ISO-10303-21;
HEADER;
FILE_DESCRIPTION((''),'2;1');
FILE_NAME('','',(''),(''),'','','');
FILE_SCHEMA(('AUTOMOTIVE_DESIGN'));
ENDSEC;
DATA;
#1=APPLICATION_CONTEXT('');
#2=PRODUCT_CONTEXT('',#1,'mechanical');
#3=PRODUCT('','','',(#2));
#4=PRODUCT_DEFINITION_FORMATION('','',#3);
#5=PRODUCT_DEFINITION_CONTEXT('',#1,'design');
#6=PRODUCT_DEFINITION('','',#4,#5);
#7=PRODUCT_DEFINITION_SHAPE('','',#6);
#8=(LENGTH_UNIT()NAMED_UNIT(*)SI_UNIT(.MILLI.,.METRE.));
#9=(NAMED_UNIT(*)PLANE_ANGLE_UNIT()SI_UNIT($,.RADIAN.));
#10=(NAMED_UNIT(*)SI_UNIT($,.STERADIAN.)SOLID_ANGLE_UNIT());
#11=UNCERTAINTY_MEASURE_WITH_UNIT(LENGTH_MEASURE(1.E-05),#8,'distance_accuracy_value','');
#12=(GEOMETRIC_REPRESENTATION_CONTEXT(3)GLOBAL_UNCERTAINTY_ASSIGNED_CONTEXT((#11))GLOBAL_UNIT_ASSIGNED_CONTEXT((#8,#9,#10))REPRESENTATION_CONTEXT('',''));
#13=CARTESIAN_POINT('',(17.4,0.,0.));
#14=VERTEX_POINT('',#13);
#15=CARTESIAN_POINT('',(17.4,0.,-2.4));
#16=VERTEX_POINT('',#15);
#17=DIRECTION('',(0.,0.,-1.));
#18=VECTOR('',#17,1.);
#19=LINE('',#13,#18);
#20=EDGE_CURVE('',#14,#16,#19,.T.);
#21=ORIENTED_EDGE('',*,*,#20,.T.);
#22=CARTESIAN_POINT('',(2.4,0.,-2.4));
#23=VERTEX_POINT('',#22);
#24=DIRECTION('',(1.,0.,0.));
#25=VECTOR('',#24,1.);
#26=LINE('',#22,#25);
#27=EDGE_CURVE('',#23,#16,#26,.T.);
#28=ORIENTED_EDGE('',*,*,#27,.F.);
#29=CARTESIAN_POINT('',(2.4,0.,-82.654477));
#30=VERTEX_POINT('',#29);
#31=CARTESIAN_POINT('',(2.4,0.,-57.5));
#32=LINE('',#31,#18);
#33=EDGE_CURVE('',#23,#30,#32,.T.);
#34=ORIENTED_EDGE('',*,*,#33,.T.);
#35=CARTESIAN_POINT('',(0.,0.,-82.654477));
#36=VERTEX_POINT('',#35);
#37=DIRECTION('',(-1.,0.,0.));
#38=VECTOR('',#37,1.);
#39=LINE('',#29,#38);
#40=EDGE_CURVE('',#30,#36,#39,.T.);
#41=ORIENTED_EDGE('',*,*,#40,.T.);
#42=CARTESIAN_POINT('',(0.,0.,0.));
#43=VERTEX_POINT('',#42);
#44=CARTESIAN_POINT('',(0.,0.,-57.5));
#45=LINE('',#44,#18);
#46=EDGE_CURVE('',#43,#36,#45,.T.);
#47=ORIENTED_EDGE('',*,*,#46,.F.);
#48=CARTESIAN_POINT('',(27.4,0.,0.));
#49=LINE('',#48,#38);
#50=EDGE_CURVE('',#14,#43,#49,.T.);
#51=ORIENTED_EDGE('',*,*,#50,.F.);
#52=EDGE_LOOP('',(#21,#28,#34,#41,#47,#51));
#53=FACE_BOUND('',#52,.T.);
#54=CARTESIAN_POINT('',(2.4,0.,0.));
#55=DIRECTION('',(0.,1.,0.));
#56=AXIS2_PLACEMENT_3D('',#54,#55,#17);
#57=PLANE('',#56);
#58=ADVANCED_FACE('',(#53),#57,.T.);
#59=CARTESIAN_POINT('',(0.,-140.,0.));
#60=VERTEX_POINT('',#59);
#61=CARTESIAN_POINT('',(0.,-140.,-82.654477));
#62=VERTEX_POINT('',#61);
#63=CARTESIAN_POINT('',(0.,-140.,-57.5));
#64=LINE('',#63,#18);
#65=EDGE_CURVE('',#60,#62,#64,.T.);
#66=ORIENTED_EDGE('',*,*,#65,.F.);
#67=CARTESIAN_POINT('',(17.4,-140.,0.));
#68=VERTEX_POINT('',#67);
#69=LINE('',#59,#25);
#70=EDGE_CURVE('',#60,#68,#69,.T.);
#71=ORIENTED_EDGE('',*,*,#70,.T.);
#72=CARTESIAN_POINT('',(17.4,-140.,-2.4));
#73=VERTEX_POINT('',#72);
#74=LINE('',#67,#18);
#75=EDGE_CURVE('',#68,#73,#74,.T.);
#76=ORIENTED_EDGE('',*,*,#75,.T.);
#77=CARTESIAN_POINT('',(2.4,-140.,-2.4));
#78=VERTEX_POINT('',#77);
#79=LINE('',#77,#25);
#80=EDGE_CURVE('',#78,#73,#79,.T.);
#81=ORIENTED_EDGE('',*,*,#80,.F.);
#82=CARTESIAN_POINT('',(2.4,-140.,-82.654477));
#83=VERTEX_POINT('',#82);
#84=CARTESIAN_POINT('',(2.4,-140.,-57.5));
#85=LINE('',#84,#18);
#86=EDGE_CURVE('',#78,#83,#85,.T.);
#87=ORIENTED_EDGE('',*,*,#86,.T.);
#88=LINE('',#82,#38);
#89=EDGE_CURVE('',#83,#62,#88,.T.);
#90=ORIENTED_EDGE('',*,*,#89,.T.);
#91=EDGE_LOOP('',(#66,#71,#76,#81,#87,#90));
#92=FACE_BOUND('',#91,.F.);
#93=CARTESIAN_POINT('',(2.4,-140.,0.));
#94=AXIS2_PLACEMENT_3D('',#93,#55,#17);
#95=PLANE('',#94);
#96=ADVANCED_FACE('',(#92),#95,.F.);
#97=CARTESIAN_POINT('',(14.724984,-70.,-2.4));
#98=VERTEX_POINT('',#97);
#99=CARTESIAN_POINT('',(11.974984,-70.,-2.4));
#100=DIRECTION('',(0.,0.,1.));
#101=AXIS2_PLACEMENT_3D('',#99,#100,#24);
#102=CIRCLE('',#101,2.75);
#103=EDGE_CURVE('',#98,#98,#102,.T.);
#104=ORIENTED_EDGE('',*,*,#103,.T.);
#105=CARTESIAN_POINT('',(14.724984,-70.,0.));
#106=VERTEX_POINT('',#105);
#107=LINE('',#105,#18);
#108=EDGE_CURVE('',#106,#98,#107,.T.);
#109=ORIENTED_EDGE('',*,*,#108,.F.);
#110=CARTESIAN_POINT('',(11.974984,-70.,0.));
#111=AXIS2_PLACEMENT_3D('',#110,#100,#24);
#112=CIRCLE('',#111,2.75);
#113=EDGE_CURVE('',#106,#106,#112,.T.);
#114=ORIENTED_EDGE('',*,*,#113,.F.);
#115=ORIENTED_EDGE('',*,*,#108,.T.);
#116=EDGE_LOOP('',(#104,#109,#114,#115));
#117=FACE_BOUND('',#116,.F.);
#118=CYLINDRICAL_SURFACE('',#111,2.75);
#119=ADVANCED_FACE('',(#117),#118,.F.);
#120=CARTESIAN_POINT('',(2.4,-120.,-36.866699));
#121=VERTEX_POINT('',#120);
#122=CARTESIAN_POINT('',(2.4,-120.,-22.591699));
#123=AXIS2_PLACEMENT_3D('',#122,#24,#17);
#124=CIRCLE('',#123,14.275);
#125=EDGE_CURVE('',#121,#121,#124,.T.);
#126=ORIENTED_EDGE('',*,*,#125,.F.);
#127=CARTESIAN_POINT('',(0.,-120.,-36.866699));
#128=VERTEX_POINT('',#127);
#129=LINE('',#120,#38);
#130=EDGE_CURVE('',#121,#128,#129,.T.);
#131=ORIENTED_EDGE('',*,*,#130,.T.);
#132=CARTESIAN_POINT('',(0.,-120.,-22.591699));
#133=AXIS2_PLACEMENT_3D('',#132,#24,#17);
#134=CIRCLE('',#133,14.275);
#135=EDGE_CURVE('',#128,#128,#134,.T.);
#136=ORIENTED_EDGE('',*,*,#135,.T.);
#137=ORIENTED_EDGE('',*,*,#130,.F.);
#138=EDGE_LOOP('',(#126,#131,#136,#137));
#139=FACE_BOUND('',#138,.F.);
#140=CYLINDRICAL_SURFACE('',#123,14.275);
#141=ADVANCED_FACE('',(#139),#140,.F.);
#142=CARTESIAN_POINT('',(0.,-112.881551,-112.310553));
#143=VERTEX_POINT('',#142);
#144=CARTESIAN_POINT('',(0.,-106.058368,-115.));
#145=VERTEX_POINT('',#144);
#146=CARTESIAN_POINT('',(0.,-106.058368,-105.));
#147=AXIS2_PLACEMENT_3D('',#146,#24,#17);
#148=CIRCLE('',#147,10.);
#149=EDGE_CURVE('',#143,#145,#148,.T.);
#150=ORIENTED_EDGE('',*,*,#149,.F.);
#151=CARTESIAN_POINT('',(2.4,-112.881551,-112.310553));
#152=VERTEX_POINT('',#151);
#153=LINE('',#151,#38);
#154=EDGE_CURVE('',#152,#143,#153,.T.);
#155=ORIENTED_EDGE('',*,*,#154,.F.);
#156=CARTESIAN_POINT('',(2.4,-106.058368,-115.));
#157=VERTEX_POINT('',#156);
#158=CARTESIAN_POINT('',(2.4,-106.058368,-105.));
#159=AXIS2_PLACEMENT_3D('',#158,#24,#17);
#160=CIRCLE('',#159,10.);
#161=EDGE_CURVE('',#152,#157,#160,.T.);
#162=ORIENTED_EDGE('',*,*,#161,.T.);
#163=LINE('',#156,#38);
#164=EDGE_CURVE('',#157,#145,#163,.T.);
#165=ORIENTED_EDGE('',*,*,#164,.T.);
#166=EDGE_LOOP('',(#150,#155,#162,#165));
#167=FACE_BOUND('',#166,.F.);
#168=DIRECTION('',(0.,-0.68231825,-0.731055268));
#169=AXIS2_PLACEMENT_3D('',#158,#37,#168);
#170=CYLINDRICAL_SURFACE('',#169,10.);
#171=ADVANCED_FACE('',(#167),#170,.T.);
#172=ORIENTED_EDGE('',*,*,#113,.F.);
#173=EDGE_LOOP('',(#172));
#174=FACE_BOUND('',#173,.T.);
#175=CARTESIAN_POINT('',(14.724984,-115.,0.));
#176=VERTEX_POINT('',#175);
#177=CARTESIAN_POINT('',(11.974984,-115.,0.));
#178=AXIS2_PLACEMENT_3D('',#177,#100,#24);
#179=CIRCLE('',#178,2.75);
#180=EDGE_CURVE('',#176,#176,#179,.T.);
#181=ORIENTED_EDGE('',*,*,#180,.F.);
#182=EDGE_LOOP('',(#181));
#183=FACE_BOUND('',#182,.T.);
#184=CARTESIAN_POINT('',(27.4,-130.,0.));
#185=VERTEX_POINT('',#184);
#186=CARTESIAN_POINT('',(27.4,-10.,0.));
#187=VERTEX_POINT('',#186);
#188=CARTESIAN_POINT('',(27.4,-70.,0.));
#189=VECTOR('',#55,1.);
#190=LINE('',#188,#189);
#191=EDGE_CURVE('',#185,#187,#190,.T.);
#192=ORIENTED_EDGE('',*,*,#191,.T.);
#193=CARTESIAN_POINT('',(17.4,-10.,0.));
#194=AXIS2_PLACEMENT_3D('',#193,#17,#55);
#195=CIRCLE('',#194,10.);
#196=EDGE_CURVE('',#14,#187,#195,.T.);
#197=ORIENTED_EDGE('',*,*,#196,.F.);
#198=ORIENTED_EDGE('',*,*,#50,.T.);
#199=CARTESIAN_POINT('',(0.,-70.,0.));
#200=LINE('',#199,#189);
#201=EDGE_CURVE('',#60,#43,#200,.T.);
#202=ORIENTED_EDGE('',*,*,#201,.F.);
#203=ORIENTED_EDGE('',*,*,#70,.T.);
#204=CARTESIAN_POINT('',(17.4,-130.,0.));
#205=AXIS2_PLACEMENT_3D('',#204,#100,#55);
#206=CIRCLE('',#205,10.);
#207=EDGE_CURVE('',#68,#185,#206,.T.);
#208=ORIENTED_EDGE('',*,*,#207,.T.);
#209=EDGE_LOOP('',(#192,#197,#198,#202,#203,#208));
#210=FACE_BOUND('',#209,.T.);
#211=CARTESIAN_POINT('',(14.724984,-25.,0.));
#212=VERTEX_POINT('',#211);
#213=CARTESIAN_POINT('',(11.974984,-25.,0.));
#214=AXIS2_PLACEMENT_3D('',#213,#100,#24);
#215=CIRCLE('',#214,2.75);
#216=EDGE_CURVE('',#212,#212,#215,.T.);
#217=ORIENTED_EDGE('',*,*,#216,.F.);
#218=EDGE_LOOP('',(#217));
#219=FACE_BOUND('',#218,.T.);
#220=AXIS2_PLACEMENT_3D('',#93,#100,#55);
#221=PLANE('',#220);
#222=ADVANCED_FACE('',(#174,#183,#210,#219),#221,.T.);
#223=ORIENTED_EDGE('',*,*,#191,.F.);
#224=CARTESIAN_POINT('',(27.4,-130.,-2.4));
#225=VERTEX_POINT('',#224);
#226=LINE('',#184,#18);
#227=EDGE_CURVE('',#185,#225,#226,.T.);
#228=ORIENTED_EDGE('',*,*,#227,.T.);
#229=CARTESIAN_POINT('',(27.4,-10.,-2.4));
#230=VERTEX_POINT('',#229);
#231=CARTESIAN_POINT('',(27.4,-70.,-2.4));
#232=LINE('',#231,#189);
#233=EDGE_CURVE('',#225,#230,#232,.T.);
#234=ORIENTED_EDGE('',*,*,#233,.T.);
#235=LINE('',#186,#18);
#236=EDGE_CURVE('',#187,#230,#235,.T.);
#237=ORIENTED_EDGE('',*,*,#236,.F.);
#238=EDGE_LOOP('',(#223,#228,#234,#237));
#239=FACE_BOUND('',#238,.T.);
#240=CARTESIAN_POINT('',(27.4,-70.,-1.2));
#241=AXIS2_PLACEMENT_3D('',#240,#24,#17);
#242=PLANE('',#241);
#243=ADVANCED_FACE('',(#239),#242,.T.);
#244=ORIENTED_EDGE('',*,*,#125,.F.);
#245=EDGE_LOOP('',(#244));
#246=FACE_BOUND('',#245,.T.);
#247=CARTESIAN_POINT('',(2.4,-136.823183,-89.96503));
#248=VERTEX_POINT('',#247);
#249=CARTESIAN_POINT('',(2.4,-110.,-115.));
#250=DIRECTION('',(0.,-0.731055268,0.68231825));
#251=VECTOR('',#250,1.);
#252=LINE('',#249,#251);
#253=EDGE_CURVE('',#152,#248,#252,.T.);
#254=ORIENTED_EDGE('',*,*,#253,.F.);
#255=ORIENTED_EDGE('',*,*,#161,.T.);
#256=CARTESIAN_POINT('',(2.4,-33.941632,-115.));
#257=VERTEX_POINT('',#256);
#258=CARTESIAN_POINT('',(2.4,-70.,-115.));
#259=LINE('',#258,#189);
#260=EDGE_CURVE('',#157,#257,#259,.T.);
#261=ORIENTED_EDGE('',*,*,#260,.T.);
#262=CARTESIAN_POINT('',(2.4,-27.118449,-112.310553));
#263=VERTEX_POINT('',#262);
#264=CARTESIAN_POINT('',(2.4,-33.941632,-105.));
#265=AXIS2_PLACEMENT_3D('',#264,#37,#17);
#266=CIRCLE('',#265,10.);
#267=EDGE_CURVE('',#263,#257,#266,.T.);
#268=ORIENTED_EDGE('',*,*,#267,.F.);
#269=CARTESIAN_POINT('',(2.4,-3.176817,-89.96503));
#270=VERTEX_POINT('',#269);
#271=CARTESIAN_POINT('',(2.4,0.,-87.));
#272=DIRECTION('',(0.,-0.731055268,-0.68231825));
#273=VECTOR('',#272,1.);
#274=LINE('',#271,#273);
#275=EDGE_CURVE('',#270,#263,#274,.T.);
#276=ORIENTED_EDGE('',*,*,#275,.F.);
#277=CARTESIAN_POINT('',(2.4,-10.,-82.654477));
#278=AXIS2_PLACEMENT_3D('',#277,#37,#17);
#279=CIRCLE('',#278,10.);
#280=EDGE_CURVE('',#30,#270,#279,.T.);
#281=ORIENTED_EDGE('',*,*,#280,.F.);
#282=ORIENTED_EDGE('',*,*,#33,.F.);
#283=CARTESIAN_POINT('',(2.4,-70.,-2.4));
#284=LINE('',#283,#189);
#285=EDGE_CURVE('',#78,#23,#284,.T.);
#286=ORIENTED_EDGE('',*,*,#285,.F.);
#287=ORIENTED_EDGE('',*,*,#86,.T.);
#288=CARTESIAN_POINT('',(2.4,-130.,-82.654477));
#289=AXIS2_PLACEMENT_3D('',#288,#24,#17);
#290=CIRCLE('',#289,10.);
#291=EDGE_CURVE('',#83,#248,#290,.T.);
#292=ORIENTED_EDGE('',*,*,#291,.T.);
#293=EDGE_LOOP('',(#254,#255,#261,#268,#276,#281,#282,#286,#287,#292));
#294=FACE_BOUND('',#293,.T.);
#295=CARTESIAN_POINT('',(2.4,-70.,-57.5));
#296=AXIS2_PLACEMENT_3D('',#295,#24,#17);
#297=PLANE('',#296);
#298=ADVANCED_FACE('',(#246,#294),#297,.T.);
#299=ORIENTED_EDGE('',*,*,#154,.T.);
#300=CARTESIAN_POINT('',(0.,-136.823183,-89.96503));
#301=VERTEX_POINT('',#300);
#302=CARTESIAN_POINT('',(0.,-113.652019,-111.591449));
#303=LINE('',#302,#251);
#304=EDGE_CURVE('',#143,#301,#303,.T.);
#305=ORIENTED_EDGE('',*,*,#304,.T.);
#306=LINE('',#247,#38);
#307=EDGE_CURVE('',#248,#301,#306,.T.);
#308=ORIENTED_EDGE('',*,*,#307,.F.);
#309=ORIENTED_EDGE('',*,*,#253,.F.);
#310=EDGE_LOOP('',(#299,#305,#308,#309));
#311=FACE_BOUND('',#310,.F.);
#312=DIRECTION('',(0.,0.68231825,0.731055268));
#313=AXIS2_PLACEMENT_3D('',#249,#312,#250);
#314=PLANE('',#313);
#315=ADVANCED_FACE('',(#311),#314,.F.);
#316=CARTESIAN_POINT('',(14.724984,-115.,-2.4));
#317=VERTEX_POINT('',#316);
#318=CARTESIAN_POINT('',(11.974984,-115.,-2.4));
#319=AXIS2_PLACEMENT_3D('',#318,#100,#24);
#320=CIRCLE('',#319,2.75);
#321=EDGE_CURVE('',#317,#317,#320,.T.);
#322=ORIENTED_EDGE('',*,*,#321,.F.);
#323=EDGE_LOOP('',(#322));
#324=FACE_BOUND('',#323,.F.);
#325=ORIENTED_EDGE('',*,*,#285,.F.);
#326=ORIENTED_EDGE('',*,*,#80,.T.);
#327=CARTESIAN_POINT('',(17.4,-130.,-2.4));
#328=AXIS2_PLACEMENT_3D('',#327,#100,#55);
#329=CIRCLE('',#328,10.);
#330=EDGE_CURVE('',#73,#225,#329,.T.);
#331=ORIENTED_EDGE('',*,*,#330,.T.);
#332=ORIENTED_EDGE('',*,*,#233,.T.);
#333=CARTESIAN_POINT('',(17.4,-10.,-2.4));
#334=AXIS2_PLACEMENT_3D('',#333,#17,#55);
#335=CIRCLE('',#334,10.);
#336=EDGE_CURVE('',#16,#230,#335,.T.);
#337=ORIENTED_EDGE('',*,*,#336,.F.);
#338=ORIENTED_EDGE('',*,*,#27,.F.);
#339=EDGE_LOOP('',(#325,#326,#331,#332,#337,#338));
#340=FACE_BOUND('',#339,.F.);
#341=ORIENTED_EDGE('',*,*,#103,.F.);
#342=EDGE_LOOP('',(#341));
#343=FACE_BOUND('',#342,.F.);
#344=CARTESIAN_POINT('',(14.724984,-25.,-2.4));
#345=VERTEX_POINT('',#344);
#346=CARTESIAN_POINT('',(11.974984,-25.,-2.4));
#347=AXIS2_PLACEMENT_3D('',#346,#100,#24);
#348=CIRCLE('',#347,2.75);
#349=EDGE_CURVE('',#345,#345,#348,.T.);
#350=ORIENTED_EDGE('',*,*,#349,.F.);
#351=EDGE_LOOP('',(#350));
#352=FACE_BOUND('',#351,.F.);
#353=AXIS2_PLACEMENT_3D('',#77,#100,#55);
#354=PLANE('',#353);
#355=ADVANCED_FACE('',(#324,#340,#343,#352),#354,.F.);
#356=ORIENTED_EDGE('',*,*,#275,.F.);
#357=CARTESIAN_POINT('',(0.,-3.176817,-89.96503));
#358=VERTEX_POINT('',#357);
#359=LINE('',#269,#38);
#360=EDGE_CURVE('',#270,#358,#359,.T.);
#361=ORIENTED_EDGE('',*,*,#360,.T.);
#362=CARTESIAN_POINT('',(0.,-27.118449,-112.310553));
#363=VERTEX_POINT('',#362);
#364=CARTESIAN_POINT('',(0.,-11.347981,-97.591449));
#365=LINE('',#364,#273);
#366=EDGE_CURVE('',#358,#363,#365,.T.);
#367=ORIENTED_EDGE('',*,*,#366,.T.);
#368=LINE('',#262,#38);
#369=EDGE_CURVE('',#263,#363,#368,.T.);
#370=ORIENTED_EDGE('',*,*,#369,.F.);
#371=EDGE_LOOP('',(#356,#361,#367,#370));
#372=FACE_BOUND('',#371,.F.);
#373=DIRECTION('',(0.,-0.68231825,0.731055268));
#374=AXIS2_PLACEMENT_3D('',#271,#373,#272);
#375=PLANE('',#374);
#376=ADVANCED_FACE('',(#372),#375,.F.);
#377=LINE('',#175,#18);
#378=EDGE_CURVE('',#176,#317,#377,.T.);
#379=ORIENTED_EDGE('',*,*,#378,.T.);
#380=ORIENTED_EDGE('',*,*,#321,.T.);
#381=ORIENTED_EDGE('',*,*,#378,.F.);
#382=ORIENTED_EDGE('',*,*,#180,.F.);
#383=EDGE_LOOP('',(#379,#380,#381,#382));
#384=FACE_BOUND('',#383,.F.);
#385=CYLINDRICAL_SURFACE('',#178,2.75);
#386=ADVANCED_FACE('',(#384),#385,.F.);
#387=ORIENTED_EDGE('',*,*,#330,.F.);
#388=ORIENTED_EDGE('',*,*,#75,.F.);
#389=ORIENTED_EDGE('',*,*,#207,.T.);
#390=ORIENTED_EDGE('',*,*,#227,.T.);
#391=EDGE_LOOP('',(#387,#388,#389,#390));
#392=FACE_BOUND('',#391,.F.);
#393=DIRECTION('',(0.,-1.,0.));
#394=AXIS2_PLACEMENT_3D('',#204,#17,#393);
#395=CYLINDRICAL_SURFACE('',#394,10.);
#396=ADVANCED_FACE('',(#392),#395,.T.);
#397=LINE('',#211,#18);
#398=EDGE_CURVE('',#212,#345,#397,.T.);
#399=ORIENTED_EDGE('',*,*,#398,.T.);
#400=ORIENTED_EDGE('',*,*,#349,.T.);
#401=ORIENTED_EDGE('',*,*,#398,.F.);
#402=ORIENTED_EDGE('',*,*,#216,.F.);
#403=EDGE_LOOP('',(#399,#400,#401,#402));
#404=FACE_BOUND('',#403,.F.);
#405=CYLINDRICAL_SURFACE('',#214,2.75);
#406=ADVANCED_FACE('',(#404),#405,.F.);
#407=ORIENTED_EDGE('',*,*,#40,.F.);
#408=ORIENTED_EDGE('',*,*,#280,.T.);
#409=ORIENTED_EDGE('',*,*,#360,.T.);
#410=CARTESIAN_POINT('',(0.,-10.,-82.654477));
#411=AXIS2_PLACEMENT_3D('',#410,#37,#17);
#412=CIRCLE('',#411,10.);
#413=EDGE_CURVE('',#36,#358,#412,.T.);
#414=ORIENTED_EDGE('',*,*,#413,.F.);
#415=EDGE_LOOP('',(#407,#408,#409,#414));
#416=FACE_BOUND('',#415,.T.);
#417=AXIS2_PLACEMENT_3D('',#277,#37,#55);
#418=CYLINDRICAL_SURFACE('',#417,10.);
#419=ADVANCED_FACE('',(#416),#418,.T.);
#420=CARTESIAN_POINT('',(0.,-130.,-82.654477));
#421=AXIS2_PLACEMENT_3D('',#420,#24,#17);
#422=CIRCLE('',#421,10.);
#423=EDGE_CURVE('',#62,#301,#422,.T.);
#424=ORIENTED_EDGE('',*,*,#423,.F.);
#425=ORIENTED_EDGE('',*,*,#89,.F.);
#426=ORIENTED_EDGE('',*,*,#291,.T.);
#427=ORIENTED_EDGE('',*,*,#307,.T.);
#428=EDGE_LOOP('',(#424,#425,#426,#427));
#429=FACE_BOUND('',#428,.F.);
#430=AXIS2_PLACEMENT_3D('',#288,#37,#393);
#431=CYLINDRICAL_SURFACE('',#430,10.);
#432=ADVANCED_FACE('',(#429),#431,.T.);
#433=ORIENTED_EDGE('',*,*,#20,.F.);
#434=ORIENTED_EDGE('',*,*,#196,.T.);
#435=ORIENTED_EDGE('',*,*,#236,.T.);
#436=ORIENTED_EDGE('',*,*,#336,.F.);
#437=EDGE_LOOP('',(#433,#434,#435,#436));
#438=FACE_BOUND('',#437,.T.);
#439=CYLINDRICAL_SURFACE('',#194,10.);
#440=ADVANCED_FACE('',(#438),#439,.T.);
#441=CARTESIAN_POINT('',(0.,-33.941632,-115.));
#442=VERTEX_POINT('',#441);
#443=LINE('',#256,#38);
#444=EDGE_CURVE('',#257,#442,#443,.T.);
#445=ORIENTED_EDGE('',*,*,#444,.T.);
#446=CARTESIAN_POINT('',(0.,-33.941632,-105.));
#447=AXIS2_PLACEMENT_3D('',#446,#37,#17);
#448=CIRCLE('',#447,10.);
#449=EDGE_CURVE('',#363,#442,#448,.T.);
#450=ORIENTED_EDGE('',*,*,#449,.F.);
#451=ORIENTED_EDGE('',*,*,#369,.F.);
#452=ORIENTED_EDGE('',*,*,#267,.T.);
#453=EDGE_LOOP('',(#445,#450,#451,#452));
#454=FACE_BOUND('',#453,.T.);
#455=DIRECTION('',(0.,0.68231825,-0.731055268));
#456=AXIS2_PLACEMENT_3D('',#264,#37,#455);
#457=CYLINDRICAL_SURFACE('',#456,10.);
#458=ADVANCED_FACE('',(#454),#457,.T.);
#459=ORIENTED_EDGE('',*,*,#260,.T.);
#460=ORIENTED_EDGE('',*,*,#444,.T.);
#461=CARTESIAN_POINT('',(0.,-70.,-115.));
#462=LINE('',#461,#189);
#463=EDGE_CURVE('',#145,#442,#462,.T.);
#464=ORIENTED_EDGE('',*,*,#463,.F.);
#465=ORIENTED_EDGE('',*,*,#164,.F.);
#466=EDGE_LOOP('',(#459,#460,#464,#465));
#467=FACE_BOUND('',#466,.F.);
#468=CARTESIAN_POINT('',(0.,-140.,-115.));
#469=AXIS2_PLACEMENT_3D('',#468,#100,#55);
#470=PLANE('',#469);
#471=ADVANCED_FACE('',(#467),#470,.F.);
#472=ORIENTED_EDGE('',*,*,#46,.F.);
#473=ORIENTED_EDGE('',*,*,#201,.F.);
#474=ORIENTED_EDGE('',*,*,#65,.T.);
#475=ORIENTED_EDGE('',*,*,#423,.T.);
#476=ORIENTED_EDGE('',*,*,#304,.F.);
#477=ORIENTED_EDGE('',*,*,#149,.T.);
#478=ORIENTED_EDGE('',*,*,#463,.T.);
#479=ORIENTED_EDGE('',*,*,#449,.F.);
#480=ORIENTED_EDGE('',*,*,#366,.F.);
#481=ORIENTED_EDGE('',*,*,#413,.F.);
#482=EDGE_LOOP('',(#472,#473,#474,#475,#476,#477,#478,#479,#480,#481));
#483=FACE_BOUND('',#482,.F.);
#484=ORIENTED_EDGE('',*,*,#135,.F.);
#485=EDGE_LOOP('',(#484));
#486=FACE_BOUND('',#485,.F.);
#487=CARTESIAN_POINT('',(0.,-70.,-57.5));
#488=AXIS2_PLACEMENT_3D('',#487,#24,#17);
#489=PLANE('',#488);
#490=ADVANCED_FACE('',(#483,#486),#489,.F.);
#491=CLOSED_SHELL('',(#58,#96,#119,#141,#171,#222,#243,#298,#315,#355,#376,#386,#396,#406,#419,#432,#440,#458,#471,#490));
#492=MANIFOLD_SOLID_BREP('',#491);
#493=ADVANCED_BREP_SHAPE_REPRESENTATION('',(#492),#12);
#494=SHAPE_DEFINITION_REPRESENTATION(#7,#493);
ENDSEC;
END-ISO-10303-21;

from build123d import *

# Parameters (mm, degrees)
SKETCH1_W           = 115
SKETCH1_H           = 140
BOSS_EXTRUDE1_DEPTH = 2.4
CUT_EXTRUDE1_DEPTH  = 3.4
FILLET1_R           = 10
SKETCH3_W           = 2.4
SKETCH3_H           = 140
BOSS_EXTRUDE2_DEPTH = 25
FILLET2_R           = 10
SKETCH4_R           = 2.75
CUT_EXTRUDE2_DEPTH  = 116
SKETCH5_R           = 14.275
CUT_EXTRUDE3_DEPTH  = 3.4


with BuildPart() as part:
    # Sketch1 → Boss-Extrude1 (new body)
    with BuildSketch(Plane(origin=(0, 0, 0), x_dir=(0, 0, -1), z_dir=(1, 0, 0))):
        with Locations((57.5, -70)):
            Rectangle(SKETCH1_W, SKETCH1_H)
    extrude(amount=BOSS_EXTRUDE1_DEPTH)

    # Sketch2 → Cut-Extrude1 (cut, through all)
    with BuildSketch(Plane(origin=(2.4, 0, 0), x_dir=(0, 0, -1), z_dir=(1, 0, 0))):
        Polygon((87, 0), (115, -30), (142.616199658, -32.505405645), (142.616199658, 14.875556406), align=None)
        Polygon((115, -110), (87, -140), (87, -152.661109726), (136.310004643, -152.661109726), align=None)
    extrude(amount=-CUT_EXTRUDE1_DEPTH, mode=Mode.SUBTRACT)

    # Fillet1
    fillet1_edges = [part.edges().sort_by_distance(p)[0] for p in [
        (1.2, 0, -87),
        (1.2, -30, -115),
        (1.2, -110, -115),
        (1.2, -140, -87),
    ]]
    fillet(fillet1_edges, radius=FILLET1_R)

    # Sketch3 → Boss-Extrude2 (add)
    with BuildSketch(Plane(origin=(2.4, 0, 0), x_dir=(0, 0, -1), z_dir=(1, 0, 0))):
        with Locations((1.2, -70)):
            Rectangle(SKETCH3_W, SKETCH3_H)
    extrude(amount=BOSS_EXTRUDE2_DEPTH)

    # Fillet2
    fillet2_edges = [part.edges().sort_by_distance(p)[0] for p in [
        (27.4, -140, -1.2),
        (27.4, 0, -1.2),
    ]]
    fillet(fillet2_edges, radius=FILLET2_R)

    # Sketch4 → Cut-Extrude2 (cut, through all)
    with BuildSketch(Plane.XY):
        with Locations((11.974983581, -70)):
            Circle(SKETCH4_R)
        with Locations((11.974983581, -25)):
            Circle(SKETCH4_R)
        with Locations((11.974983581, -115)):
            Circle(SKETCH4_R)
    extrude(amount=-CUT_EXTRUDE2_DEPTH, mode=Mode.SUBTRACT)

    # Sketch5 → Cut-Extrude3 (cut, through all)
    with BuildSketch(Plane(origin=(2.4, 0, 0), x_dir=(0, 0, -1), z_dir=(1, 0, 0))):
        with Locations((22.591699334, -120)):
            Circle(SKETCH5_R)
    extrude(amount=-CUT_EXTRUDE3_DEPTH, mode=Mode.SUBTRACT)


solid = part.part
